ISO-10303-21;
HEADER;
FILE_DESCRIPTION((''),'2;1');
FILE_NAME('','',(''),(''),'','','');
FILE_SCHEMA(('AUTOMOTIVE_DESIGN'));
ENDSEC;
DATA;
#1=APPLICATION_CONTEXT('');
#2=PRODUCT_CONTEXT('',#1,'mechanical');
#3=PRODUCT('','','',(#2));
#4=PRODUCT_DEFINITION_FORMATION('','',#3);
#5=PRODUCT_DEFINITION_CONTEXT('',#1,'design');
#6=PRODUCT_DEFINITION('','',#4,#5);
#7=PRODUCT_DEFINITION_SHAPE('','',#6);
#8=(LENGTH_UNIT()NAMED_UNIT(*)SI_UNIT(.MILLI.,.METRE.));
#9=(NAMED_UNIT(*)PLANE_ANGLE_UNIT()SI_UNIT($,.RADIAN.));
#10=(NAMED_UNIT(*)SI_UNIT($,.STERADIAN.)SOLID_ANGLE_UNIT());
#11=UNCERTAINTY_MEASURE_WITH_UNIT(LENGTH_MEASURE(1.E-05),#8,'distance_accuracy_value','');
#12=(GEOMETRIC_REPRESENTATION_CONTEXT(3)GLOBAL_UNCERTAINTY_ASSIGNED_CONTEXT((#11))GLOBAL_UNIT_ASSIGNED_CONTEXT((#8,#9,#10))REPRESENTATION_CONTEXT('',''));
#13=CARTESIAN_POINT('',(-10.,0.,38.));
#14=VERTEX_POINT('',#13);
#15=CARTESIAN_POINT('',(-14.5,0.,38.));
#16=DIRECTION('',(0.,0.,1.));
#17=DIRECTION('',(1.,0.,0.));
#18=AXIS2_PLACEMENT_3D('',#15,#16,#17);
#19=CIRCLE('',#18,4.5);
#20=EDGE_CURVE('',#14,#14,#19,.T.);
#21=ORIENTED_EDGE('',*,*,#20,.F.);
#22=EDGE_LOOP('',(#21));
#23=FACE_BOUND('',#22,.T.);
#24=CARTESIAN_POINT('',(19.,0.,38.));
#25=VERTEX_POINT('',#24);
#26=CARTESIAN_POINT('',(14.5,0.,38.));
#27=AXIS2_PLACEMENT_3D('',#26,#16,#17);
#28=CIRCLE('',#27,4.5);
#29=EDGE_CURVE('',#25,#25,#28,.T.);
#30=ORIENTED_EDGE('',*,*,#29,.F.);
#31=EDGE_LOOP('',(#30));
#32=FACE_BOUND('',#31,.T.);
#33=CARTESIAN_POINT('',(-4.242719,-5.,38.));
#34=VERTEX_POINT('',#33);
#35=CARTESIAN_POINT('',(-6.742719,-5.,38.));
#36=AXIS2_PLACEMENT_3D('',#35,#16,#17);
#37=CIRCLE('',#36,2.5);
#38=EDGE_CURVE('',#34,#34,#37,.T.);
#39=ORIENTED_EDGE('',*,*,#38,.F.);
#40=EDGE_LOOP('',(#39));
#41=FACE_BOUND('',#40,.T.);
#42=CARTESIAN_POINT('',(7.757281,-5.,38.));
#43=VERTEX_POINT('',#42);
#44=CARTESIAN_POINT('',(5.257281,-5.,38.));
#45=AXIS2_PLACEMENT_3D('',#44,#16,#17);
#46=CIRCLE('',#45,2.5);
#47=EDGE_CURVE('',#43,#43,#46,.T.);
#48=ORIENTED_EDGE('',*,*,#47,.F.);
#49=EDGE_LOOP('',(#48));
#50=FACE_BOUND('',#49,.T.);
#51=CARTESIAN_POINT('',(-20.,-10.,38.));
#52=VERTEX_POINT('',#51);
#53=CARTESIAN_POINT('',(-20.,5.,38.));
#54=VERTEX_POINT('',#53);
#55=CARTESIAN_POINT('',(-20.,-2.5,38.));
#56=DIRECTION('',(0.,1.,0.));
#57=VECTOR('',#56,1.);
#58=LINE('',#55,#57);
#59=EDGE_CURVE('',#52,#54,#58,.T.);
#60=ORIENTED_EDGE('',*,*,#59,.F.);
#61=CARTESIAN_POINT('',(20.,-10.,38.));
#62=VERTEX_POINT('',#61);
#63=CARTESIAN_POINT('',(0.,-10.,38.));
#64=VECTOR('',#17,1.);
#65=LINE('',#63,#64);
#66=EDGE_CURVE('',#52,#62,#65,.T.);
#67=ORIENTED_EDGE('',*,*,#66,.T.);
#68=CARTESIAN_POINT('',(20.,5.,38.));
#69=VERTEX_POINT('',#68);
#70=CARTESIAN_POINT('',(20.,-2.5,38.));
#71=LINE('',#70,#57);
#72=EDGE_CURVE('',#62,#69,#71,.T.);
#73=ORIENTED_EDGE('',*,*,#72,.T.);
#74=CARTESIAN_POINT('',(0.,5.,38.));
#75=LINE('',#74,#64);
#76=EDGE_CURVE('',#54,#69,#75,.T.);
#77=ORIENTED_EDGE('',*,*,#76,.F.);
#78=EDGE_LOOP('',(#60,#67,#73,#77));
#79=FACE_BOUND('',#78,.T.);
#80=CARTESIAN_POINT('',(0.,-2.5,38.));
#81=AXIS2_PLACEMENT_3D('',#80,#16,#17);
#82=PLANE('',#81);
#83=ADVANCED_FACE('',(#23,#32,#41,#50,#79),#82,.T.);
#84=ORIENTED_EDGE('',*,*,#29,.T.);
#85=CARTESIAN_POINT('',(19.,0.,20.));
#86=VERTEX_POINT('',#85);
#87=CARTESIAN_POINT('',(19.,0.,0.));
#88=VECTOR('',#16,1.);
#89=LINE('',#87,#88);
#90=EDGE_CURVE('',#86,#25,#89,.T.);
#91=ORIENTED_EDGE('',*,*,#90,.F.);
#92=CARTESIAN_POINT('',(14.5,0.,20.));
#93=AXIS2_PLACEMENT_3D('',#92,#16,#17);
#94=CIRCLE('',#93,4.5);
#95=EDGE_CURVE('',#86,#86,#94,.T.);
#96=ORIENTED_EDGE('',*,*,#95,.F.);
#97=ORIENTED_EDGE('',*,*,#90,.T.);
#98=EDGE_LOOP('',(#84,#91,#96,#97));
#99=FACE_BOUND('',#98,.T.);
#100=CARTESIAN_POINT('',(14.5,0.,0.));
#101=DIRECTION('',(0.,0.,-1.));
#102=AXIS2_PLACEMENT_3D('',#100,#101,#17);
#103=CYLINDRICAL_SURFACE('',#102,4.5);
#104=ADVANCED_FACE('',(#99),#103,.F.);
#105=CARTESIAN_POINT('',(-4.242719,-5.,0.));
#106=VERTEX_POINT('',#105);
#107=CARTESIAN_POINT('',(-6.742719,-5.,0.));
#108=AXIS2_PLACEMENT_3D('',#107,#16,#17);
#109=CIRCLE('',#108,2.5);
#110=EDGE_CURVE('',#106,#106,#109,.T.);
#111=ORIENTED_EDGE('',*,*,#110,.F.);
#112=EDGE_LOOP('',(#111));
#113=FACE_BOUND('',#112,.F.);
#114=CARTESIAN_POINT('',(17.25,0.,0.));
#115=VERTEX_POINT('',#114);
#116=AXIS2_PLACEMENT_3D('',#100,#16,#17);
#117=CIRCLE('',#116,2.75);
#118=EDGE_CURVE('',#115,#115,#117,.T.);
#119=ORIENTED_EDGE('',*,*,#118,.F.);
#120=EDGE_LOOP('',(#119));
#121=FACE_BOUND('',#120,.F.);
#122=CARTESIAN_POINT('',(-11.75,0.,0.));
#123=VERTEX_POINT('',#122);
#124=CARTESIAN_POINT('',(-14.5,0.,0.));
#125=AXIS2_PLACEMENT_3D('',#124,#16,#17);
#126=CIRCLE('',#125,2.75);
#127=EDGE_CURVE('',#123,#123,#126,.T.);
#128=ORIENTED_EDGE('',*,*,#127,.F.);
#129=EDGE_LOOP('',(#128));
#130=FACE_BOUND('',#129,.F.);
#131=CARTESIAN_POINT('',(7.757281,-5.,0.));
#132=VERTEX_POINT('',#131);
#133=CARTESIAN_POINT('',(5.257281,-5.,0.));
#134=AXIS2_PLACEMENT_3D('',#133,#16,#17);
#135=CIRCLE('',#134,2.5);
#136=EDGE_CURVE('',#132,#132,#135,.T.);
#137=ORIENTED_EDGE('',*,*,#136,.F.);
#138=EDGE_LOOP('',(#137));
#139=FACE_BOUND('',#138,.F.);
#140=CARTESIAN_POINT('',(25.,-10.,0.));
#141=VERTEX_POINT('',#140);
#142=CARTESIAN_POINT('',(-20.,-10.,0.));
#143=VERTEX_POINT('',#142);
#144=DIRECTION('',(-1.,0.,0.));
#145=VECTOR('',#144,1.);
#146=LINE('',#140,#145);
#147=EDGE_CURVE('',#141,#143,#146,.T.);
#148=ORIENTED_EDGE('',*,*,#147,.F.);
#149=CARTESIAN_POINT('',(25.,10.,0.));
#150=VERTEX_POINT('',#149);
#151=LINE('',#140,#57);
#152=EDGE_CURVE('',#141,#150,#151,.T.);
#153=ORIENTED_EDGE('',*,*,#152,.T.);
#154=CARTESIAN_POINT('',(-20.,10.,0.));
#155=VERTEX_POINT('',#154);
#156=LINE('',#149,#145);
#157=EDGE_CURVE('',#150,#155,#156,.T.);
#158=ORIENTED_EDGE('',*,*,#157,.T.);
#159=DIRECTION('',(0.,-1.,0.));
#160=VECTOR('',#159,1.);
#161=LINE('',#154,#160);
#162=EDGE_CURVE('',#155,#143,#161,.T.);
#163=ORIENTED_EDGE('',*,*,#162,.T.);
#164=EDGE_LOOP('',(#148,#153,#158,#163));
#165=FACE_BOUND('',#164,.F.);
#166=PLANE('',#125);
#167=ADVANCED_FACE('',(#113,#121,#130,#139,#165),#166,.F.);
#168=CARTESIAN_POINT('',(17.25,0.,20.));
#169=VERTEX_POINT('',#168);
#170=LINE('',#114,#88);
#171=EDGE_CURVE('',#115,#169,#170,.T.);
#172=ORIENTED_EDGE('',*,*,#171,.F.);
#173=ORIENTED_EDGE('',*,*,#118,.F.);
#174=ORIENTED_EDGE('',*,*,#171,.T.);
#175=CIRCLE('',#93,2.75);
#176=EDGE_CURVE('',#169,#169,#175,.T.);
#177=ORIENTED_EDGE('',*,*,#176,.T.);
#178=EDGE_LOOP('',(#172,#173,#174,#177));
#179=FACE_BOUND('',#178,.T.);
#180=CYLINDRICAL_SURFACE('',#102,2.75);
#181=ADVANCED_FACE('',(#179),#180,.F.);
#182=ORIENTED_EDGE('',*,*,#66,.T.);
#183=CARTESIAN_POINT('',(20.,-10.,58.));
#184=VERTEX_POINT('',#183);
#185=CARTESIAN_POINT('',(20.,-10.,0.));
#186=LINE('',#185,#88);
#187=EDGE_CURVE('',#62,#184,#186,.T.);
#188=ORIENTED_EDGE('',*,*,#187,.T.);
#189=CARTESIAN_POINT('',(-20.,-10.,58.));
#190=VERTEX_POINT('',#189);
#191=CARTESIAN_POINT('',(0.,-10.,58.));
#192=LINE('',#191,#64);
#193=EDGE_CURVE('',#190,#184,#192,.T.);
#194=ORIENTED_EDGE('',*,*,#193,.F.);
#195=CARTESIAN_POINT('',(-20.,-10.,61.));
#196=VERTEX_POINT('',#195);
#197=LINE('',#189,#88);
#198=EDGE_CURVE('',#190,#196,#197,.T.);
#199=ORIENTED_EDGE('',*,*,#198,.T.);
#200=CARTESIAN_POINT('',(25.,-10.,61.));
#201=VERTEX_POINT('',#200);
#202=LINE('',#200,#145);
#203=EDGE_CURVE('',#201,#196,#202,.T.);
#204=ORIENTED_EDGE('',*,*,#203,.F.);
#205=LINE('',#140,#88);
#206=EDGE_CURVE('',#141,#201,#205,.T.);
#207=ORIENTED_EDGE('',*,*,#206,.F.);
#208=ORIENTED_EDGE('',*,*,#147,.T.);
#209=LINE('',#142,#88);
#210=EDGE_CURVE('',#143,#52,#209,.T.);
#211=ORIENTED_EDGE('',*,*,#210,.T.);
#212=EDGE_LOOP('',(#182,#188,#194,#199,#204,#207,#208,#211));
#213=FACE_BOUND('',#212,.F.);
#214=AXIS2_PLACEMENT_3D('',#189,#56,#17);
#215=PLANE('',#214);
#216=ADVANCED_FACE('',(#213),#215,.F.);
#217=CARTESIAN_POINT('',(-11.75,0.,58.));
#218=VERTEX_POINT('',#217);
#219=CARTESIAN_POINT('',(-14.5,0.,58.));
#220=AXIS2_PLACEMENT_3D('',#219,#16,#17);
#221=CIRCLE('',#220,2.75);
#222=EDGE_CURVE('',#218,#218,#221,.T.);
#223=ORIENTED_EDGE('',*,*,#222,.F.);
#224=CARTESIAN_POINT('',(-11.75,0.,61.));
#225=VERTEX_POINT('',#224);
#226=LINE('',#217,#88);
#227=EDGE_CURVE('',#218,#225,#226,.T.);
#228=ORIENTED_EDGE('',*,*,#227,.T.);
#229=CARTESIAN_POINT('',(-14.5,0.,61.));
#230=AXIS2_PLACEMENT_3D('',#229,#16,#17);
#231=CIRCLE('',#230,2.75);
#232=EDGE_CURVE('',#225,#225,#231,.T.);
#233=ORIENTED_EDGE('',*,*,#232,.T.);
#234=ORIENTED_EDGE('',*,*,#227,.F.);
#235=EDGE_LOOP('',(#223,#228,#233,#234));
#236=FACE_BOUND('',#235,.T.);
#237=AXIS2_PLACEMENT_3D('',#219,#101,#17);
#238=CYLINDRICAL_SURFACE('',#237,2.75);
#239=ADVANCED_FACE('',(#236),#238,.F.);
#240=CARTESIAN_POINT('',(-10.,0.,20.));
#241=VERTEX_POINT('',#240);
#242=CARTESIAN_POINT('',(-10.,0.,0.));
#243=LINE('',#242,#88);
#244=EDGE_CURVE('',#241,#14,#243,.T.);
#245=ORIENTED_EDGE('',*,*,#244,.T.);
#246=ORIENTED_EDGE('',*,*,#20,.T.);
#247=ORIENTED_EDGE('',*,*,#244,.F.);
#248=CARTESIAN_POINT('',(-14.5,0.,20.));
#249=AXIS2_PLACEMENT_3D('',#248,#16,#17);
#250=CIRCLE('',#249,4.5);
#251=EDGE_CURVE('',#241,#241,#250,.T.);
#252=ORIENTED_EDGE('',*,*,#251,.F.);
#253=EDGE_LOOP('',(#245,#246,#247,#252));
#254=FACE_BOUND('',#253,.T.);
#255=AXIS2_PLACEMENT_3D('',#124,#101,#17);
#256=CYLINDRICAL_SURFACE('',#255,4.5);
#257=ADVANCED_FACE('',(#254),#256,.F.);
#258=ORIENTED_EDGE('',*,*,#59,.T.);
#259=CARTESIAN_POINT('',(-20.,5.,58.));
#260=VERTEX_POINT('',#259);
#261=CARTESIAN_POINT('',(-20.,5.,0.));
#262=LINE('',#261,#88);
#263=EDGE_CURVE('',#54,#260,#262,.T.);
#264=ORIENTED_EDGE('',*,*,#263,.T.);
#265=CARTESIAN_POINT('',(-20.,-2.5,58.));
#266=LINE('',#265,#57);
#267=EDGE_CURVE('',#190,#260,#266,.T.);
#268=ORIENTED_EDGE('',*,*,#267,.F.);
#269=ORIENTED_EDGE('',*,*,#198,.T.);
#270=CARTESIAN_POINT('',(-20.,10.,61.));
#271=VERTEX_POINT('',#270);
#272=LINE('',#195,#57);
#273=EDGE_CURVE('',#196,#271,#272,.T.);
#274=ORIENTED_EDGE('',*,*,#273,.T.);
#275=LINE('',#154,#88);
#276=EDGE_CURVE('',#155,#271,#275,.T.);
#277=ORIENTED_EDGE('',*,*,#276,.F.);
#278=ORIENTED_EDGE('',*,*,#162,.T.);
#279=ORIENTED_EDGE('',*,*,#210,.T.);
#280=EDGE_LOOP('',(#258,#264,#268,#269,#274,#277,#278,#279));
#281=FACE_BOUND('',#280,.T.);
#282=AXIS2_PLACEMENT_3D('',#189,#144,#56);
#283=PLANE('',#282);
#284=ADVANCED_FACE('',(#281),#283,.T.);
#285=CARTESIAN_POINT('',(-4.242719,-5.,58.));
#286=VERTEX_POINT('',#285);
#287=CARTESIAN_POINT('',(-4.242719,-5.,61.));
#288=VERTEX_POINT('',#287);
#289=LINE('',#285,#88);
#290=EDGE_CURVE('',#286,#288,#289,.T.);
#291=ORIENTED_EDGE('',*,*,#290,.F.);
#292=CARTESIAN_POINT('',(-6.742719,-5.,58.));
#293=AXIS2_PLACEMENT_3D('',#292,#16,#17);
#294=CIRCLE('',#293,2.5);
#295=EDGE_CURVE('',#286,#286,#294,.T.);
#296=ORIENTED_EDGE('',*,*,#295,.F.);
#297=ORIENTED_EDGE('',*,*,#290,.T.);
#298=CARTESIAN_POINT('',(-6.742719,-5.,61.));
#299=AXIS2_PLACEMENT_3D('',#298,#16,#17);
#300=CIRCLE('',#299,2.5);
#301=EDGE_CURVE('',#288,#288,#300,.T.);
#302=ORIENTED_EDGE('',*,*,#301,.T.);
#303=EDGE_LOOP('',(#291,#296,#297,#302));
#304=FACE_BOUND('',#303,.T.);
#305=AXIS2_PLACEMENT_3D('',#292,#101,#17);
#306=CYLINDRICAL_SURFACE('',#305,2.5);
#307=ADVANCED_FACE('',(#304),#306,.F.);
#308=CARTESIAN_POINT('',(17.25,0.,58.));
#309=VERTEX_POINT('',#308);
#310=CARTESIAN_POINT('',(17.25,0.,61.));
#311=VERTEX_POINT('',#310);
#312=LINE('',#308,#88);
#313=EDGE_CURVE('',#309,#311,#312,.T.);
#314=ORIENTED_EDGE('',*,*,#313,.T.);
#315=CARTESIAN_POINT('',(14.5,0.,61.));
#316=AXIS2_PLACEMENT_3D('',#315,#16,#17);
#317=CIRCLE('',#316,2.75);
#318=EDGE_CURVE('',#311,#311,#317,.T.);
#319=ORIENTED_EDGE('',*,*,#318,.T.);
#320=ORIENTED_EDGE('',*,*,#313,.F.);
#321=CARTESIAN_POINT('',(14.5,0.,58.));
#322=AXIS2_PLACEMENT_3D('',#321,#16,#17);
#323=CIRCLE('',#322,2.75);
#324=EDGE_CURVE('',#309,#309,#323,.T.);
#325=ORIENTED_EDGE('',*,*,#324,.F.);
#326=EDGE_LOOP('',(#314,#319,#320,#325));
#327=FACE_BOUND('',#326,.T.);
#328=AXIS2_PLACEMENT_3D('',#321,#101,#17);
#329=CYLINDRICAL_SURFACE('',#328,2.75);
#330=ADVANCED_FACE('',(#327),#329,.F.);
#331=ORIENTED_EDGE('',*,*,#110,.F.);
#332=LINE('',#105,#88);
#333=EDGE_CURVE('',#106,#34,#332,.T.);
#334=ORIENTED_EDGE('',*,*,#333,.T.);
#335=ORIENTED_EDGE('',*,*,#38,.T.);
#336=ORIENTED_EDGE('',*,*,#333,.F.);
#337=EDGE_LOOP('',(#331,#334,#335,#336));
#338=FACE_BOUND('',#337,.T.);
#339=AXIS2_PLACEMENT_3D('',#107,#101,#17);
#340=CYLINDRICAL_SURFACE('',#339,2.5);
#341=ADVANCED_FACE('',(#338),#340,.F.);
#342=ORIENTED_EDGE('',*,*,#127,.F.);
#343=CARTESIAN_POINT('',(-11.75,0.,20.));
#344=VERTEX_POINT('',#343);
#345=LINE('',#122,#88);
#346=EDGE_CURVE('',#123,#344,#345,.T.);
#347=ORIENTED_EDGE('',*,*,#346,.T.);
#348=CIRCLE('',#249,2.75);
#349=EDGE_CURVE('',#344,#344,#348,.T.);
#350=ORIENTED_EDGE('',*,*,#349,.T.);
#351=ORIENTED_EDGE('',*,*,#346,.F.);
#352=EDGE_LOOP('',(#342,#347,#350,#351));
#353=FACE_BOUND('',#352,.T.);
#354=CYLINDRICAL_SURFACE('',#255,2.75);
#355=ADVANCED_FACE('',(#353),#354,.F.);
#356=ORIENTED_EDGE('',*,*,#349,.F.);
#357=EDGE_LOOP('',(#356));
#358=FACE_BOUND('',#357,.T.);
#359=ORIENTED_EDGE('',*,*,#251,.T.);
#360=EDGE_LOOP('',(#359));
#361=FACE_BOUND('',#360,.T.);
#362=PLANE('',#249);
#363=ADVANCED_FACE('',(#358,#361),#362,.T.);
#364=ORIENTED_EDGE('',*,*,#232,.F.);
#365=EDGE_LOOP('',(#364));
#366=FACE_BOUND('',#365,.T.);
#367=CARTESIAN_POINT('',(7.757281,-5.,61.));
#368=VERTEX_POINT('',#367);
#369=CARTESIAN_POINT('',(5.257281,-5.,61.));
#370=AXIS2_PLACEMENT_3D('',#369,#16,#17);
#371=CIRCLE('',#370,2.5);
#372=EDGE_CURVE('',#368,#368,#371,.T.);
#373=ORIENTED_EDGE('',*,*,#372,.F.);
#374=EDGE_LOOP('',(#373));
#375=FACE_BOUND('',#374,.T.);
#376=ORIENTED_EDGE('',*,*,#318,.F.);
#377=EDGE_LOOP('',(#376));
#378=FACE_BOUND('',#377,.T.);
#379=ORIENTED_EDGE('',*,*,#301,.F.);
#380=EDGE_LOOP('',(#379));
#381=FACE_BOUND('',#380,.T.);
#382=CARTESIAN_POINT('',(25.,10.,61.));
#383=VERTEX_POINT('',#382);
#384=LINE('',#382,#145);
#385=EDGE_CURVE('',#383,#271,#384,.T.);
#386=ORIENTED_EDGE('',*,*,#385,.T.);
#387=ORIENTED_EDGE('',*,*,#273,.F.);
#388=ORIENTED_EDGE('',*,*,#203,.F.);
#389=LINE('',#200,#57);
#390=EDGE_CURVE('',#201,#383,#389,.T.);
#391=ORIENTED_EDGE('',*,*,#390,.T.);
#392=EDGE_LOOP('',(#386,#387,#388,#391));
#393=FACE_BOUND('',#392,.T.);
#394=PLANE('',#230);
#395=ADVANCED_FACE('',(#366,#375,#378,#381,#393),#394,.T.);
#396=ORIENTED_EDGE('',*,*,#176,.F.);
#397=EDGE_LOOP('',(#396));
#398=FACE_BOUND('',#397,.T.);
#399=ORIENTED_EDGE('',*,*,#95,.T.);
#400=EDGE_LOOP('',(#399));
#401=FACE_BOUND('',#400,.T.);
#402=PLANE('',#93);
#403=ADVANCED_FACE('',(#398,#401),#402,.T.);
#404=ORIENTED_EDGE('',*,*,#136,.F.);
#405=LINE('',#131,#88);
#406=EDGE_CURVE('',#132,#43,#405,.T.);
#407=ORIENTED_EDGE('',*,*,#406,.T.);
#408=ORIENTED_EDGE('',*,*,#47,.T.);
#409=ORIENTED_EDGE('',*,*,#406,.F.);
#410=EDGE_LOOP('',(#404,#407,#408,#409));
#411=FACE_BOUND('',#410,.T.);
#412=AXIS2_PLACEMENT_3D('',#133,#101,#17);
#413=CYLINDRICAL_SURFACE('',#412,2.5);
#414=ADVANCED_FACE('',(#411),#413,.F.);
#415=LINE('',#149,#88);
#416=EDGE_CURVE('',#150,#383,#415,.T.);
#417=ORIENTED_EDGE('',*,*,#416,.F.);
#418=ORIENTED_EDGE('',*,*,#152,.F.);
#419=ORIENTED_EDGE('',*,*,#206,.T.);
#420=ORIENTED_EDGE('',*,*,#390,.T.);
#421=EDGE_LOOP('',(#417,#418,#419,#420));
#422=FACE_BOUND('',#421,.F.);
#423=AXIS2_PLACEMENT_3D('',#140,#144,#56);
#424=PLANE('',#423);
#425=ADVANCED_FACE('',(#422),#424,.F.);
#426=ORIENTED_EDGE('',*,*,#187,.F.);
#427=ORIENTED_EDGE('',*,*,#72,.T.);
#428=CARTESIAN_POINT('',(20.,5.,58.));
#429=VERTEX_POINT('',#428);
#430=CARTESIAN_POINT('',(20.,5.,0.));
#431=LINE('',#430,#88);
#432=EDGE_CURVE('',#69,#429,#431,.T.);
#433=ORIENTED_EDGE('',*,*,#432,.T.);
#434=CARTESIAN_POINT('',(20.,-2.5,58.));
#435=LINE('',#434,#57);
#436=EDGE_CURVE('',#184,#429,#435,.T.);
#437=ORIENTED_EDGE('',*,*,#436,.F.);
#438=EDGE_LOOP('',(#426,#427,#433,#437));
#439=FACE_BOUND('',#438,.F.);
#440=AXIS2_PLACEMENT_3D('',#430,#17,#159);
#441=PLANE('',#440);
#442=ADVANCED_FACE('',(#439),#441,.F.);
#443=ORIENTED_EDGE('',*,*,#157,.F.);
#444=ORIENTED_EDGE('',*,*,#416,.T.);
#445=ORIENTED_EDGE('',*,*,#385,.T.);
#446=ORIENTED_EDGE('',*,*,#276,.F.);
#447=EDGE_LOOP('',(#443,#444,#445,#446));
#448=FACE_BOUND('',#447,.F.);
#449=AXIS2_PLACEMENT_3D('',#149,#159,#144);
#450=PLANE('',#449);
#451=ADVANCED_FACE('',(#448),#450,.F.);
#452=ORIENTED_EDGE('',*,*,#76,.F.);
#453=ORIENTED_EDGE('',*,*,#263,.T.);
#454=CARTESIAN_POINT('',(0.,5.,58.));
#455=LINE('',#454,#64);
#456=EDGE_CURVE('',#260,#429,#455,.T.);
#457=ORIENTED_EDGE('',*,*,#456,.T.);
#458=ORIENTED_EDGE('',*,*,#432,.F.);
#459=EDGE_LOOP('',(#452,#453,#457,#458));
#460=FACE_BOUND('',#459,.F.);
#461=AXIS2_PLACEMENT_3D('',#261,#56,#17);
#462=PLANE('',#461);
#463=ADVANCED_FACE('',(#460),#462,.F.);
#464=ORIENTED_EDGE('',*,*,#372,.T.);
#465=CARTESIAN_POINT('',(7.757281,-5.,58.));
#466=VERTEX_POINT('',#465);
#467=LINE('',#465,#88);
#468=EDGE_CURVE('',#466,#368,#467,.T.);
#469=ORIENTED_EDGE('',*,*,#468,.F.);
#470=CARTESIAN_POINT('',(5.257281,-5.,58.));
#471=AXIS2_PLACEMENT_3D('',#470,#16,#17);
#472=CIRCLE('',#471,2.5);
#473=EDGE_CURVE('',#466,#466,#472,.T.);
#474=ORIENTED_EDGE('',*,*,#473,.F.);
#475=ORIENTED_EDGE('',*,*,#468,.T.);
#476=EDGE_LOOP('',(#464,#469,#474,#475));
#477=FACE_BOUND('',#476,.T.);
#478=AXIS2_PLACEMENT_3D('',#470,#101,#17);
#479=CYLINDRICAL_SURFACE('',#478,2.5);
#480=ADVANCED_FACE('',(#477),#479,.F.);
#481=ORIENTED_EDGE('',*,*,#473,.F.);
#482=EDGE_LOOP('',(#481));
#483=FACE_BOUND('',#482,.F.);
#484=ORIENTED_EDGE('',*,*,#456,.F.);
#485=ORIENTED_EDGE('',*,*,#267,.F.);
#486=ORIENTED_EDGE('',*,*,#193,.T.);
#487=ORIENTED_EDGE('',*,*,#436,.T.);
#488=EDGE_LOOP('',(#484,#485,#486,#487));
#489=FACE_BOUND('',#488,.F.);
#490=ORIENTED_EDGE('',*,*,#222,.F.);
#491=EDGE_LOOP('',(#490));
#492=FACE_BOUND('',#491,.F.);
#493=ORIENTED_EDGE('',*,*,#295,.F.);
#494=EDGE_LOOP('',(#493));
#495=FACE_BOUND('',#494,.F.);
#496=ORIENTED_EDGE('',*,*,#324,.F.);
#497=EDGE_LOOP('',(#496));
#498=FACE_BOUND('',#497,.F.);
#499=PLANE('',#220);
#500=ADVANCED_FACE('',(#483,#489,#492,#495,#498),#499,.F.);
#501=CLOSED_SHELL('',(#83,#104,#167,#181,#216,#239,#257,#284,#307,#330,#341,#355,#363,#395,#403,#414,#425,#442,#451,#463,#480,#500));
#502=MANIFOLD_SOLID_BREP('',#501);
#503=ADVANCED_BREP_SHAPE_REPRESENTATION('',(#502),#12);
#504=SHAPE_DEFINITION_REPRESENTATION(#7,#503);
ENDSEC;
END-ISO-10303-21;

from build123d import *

# Parameters (mm, degrees)
F0_W     = 40
F0_H     = 15
F0_R     = 2.5
F0_R_2   = 4.5
F1_DEPTH = 38
F0_H_2   = 5
F2_DEPTH = 61
F3_START = 58
F3_DEPTH = 3
F0_R_3   = 2.75
F4_DEPTH = 20
F5_START = 58
F5_DEPTH = 3


with BuildPart() as f1:
    # F0 (on Top) → F1 (new body)
    with BuildSketch(Plane.XY):
        with Locations((0, -2.5)):
            Rectangle(F0_W, F0_H)
        with Locations((-6.7427190952, -5)):
            Circle(F0_R, mode=Mode.SUBTRACT)
        with Locations((5.2572809048, -5)):
            Circle(F0_R, mode=Mode.SUBTRACT)
        with Locations((-14.5, 0)):
            Circle(F0_R_2, mode=Mode.SUBTRACT)
        with Locations((14.5, 0)):
            Circle(F0_R_2, mode=Mode.SUBTRACT)
    extrude(amount=F1_DEPTH)

    # F0 (on Top) → F2 (join)
    with BuildSketch(Plane.XY):
        Polygon((25, 10), (20, 10), (20, 5), (20, -10), (25, -10), align=None)
        with Locations((0, 7.5)):
            Rectangle(F0_W, F0_H_2)
    extrude(amount=F2_DEPTH)

    # F0 (on Top) → F3 (join)
    with BuildSketch(Plane.XY.offset(F3_START)):
        with Locations((0, -2.5)):
            Rectangle(F0_W, F0_H)
        with Locations((-6.7427190952, -5)):
            Circle(F0_R, mode=Mode.SUBTRACT)
        with Locations((5.2572809048, -5)):
            Circle(F0_R, mode=Mode.SUBTRACT)
        with Locations((-14.5, 0)):
            Circle(F0_R_2, mode=Mode.SUBTRACT)
        with Locations((14.5, 0)):
            Circle(F0_R_2, mode=Mode.SUBTRACT)
    extrude(amount=F3_DEPTH)

    # F0 (on Top) → F4 (join)
    with BuildSketch(Plane.XY):
        with Locations((-14.5, 0)):
            Circle(F0_R_2)
        with Locations((-14.5, 0)):
            Circle(F0_R_3, mode=Mode.SUBTRACT)
        with Locations((14.5, 0)):
            Circle(F0_R_2)
        with Locations((14.5, 0)):
            Circle(F0_R_3, mode=Mode.SUBTRACT)
    extrude(amount=F4_DEPTH)

    # F0 (on Top) → F5 (join)
    with BuildSketch(Plane.XY.offset(F5_START)):
        with Locations((-14.5, 0)):
            Circle(F0_R_2)
        with Locations((-14.5, 0)):
            Circle(F0_R_3, mode=Mode.SUBTRACT)
        with Locations((14.5, 0)):
            Circle(F0_R_2)
        with Locations((14.5, 0)):
            Circle(F0_R_3, mode=Mode.SUBTRACT)
    extrude(amount=F5_DEPTH)


solid = f1.part
